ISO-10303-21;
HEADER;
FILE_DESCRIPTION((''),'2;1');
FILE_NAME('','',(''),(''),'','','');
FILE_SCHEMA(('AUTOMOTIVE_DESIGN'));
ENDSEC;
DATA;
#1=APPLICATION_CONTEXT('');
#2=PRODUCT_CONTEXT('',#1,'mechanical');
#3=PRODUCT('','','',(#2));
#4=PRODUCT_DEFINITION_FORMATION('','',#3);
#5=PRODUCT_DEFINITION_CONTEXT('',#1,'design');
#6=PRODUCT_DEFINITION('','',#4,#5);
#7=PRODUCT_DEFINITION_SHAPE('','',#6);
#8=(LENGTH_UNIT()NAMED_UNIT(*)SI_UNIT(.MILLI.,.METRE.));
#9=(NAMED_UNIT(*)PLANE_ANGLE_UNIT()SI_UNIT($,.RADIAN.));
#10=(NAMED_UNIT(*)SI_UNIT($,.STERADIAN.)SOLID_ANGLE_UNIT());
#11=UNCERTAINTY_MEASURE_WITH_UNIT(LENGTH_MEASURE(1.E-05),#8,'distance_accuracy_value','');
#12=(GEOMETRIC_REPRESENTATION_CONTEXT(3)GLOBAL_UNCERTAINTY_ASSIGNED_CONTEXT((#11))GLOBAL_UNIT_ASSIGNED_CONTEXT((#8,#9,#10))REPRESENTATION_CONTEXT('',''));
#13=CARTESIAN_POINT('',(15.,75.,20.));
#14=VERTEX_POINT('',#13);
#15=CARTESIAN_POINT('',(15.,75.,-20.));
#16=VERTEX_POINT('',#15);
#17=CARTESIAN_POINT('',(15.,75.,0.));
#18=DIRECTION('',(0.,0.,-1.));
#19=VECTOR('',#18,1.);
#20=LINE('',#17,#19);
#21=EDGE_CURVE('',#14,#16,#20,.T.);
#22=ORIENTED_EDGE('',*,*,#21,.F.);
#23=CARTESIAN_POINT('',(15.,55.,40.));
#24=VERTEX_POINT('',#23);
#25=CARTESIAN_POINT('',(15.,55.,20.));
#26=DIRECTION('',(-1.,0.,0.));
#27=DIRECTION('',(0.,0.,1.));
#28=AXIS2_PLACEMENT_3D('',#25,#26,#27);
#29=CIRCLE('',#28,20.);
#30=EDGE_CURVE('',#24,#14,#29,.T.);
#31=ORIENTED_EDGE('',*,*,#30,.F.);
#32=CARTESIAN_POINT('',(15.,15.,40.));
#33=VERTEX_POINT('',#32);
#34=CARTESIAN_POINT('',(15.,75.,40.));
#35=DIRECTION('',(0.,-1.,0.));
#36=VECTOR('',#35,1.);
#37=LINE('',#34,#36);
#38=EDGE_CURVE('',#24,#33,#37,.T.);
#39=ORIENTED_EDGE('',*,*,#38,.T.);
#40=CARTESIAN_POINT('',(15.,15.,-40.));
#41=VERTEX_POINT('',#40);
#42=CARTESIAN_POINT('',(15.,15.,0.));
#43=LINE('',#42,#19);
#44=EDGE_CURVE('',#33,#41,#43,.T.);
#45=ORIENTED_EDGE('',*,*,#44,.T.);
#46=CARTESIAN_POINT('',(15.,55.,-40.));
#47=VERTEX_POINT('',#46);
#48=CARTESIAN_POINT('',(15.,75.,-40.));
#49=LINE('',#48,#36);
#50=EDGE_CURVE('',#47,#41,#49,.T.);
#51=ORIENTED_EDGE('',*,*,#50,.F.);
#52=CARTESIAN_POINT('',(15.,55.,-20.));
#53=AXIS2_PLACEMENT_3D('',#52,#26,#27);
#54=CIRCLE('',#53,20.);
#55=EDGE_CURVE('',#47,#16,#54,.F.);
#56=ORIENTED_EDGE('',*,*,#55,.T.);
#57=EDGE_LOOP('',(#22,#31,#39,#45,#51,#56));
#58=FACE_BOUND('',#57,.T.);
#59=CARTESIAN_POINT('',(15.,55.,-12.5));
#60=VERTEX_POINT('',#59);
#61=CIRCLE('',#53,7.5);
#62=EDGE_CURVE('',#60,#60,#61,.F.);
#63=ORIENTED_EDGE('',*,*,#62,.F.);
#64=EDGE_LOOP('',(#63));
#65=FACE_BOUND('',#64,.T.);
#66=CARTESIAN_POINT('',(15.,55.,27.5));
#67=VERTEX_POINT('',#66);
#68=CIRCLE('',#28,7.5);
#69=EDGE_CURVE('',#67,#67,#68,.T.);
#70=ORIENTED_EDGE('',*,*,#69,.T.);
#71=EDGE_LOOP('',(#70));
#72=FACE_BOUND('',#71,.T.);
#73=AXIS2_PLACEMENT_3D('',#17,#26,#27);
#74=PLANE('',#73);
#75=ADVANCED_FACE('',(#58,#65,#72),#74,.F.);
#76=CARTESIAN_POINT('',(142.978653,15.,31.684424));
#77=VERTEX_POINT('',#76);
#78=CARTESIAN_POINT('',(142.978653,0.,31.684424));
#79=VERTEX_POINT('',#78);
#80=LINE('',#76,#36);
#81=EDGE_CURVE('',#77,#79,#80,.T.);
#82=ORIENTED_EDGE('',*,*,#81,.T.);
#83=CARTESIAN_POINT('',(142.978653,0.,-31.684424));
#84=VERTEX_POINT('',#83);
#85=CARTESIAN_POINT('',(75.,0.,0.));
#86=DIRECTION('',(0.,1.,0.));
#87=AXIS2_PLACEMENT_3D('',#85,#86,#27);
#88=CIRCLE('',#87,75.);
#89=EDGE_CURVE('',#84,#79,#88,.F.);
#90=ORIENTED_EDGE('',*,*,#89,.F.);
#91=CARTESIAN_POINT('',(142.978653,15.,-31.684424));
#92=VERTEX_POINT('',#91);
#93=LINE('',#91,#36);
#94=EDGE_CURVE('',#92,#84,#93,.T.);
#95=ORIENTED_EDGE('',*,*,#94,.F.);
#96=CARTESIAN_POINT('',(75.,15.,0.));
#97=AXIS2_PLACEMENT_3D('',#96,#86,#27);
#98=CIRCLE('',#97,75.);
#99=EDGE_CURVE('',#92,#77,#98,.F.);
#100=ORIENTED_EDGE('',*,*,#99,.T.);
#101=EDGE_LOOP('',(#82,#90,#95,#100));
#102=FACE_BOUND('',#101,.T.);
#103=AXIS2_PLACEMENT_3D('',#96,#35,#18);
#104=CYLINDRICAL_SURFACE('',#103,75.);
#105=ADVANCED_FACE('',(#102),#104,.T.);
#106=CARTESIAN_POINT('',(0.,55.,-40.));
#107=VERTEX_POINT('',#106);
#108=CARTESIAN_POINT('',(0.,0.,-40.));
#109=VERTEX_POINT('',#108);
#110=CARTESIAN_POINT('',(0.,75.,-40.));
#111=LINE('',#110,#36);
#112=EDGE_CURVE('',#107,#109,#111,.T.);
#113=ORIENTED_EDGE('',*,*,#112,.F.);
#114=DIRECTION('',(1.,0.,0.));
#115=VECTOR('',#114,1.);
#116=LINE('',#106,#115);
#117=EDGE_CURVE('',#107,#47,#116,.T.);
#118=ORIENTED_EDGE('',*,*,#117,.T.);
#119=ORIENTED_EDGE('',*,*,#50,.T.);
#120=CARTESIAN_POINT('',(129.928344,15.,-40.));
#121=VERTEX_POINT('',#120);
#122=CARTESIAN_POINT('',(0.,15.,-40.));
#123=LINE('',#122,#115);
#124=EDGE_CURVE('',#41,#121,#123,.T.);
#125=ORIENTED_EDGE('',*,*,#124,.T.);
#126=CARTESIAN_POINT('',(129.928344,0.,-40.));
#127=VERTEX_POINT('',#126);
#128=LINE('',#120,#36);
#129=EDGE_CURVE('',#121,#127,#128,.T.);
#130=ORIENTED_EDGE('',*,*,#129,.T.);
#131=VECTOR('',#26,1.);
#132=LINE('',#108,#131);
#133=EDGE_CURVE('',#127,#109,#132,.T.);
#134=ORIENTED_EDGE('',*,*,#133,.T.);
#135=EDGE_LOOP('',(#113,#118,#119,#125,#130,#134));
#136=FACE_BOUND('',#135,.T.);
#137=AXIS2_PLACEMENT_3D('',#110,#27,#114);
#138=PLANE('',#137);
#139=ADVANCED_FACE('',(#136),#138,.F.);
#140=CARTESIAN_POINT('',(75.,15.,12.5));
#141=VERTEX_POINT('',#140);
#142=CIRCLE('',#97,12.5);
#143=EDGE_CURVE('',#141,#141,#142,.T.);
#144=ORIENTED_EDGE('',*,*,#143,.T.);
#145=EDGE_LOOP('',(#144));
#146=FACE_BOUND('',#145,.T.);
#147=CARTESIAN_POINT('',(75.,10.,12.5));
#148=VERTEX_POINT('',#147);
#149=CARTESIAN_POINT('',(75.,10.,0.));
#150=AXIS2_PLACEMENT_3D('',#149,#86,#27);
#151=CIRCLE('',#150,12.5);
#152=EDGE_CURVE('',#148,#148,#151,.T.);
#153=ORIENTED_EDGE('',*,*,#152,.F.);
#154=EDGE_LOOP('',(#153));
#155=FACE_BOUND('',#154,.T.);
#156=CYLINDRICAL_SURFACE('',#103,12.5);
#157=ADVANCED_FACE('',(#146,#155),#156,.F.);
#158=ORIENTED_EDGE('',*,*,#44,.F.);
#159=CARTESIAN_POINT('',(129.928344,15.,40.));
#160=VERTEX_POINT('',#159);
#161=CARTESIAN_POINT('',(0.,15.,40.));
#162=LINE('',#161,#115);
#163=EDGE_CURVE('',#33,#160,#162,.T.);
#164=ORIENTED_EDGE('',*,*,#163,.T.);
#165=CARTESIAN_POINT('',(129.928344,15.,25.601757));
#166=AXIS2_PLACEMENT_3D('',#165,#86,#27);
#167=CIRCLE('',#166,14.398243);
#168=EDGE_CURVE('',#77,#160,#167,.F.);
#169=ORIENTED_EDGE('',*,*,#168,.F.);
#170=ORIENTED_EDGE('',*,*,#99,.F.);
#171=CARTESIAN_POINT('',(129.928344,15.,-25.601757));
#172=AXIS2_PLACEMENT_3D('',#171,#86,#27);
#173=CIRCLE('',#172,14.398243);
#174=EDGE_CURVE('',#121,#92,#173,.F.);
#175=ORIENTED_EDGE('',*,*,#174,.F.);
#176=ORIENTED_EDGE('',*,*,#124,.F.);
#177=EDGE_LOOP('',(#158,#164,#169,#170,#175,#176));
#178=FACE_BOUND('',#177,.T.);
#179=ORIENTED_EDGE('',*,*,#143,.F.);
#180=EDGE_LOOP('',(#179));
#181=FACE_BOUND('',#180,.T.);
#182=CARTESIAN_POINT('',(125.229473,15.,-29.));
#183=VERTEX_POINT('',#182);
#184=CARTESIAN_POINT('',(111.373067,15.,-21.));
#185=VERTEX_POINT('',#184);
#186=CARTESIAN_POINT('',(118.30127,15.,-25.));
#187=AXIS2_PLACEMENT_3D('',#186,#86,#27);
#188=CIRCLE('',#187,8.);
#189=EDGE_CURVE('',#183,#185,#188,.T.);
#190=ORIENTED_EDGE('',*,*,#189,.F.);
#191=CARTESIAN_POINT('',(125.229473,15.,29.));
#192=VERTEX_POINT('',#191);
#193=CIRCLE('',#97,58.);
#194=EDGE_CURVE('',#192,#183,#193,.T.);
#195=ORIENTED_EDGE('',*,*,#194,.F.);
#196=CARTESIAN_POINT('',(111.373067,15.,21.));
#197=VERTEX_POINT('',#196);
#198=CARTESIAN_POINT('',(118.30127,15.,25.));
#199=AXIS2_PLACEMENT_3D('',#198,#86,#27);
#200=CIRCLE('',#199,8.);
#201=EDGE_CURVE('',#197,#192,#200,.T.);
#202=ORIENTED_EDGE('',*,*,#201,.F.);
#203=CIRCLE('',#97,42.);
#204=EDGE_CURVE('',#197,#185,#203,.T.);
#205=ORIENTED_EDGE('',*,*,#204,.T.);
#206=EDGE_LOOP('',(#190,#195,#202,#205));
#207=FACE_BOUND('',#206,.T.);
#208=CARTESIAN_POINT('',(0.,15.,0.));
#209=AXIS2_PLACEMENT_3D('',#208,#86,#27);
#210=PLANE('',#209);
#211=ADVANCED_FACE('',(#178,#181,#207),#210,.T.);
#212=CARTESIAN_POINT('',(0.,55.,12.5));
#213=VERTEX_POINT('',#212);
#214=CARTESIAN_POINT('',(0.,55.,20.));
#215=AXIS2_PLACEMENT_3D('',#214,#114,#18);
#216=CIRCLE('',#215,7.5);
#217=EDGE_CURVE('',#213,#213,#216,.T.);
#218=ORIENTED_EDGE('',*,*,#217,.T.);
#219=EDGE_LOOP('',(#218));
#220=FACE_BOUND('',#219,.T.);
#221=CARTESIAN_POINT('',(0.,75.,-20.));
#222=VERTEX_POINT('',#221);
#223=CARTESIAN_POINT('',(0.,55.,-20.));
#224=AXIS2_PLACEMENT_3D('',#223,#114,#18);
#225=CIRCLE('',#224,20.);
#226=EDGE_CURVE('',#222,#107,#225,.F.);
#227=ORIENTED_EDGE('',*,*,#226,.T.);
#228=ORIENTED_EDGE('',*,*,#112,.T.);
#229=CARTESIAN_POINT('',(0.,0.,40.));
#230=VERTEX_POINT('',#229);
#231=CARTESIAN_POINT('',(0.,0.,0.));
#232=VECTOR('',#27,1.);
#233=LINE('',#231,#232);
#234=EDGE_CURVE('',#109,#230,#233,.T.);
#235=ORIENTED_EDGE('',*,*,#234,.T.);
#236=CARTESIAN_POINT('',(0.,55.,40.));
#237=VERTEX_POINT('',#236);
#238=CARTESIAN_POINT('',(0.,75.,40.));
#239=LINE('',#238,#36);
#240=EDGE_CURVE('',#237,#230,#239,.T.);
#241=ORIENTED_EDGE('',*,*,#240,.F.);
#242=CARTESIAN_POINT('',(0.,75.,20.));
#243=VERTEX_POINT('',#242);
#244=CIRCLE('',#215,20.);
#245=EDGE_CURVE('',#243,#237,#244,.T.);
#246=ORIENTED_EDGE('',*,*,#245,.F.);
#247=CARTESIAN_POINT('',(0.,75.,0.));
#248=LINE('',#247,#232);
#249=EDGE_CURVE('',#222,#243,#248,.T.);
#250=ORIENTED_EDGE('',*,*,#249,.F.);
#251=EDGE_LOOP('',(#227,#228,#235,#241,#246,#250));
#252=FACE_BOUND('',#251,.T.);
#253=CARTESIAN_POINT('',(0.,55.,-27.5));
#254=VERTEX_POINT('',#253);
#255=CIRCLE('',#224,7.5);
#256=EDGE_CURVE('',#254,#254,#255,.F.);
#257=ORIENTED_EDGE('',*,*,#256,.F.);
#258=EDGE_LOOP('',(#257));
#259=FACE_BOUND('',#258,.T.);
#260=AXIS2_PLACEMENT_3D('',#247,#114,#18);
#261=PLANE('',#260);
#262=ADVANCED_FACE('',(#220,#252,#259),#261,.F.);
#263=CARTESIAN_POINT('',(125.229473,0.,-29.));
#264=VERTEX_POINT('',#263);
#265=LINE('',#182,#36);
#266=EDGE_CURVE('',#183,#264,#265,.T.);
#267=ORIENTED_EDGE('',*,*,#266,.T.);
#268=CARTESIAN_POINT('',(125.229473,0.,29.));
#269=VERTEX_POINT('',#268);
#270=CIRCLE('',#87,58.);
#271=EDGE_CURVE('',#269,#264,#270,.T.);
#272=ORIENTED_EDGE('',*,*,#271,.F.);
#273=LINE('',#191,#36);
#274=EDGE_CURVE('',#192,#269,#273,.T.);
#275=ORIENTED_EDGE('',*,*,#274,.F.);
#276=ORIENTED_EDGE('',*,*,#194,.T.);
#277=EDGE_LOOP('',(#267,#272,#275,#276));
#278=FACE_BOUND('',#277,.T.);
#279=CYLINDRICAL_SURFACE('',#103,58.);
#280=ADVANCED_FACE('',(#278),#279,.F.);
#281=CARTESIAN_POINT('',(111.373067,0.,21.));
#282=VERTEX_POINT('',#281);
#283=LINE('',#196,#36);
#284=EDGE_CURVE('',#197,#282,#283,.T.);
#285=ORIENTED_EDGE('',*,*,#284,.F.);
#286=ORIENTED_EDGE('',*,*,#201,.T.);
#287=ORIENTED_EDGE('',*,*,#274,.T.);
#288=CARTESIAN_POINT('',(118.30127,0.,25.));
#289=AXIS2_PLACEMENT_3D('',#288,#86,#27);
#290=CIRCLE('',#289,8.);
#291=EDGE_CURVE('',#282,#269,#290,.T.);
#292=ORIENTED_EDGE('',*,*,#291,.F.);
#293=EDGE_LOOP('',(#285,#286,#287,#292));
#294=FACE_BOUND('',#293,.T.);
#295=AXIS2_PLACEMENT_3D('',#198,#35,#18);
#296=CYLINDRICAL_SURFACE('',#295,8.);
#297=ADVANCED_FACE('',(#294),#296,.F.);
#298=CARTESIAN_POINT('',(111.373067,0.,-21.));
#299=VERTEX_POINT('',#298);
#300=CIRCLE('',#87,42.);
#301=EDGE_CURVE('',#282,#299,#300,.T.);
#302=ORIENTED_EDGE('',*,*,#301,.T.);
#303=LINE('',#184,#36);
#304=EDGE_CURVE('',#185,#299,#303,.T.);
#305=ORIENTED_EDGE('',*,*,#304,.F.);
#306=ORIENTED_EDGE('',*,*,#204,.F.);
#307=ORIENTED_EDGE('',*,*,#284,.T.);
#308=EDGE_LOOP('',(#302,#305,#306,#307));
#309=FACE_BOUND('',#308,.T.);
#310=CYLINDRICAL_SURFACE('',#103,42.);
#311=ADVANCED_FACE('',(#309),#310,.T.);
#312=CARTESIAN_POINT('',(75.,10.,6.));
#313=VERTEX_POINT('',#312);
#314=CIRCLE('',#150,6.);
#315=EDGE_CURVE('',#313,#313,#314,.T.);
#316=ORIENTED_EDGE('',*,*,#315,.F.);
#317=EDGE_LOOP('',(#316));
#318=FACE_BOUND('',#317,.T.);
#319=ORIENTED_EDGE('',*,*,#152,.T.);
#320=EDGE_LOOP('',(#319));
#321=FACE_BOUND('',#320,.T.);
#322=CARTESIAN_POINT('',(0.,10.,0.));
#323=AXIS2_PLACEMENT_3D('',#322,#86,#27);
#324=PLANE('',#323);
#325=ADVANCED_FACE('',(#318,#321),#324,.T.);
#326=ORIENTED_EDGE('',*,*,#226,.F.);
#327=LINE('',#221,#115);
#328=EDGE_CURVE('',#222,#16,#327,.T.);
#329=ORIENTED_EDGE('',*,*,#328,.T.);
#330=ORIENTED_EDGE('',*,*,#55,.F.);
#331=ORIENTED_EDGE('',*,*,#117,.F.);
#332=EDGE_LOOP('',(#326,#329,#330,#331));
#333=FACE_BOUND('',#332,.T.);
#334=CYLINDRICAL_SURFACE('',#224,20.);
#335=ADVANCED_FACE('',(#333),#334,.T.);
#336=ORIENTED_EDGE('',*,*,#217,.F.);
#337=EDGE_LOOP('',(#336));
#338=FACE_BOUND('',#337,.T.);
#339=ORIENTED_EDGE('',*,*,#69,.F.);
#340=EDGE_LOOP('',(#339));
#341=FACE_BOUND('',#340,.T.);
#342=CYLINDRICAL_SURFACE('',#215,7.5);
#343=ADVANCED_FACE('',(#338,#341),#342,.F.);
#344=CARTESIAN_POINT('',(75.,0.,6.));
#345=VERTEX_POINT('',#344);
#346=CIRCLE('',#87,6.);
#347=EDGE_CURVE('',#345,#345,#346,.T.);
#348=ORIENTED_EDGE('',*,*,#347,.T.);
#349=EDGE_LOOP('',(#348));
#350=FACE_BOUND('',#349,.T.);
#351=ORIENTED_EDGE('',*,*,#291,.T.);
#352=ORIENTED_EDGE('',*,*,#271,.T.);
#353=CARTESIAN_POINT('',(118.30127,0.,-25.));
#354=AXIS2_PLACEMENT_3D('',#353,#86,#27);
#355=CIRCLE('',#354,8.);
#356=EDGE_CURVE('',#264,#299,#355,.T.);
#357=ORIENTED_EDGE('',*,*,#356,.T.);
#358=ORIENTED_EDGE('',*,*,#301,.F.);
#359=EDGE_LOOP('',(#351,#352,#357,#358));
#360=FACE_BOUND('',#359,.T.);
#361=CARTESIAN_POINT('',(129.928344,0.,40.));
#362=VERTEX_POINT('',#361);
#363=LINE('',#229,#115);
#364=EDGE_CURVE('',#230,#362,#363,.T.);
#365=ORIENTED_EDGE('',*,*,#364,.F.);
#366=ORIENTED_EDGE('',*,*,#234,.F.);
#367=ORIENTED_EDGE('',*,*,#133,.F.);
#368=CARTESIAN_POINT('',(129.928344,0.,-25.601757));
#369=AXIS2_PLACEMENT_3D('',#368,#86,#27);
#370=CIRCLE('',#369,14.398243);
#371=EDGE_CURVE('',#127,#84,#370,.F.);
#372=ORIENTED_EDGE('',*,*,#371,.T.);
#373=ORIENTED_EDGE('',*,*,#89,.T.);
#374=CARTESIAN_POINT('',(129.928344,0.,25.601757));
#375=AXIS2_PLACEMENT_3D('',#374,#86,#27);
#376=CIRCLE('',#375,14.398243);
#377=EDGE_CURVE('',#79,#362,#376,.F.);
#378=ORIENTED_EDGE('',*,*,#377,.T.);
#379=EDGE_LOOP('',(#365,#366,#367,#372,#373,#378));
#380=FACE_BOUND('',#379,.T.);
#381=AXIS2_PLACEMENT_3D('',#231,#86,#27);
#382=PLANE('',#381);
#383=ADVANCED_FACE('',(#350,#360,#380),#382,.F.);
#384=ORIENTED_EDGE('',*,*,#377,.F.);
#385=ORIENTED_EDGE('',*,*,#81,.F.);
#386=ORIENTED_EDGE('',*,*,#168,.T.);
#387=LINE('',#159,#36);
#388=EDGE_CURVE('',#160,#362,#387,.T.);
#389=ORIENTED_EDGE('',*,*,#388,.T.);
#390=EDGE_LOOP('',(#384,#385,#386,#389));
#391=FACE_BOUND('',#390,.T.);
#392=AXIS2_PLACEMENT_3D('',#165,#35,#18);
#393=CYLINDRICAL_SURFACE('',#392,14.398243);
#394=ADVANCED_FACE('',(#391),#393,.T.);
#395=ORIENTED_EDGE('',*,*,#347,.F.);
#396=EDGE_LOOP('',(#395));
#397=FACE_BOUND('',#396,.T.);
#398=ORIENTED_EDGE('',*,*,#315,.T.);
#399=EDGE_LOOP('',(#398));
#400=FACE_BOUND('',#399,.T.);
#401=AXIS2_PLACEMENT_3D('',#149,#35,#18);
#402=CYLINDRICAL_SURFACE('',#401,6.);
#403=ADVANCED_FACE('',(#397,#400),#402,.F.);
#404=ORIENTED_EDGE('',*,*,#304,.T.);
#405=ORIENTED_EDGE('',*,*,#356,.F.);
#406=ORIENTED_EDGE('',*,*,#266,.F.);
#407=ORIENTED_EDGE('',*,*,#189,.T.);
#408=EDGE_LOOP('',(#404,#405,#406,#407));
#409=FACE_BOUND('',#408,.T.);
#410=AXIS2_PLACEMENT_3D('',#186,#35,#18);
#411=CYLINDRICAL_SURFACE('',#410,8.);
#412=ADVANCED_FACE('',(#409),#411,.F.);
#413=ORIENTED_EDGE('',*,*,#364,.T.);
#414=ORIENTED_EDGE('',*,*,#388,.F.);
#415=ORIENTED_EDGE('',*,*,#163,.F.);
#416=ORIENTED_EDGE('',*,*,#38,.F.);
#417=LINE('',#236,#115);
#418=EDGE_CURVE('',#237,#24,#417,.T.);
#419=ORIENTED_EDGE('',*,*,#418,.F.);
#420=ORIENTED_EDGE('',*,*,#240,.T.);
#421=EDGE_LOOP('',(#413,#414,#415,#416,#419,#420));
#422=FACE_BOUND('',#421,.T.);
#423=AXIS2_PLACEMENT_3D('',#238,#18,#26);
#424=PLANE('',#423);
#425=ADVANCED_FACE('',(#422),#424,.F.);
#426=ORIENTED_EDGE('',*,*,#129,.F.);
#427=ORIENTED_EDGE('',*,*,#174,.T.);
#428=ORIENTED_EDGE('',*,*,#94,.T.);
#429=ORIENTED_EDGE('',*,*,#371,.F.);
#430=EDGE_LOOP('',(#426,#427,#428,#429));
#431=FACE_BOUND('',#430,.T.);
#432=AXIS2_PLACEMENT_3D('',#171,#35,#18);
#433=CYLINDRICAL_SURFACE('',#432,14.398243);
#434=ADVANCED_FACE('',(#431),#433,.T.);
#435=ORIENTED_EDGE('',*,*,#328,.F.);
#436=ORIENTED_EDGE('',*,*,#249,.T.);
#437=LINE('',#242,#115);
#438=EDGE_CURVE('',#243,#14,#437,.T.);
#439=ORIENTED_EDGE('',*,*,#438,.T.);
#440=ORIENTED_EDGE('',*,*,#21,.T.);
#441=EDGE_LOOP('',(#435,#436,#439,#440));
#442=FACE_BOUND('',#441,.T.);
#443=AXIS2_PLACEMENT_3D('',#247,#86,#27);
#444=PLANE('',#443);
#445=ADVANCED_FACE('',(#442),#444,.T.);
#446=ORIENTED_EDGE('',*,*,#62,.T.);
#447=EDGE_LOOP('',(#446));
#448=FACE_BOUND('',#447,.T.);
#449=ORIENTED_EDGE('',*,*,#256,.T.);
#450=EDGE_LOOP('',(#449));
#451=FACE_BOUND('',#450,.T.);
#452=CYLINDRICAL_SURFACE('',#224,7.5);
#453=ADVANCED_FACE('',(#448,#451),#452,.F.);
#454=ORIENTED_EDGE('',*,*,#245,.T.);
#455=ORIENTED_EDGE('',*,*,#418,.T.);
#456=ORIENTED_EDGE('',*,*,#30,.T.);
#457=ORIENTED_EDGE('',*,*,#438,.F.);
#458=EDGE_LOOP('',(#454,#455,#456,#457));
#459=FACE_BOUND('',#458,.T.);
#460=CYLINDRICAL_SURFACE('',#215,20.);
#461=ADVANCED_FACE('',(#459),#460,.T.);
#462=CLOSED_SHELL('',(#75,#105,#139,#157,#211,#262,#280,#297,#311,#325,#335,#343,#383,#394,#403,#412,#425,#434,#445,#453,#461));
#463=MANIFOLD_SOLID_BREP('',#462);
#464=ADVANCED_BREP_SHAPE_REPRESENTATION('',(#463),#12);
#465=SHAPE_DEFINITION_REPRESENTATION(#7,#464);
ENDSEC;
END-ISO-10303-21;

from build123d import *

# Parameters (mm, degrees)
SKETCH1_W               = 15
SKETCH1_H               = 80
BOSS_EXTRUDE1_DEPTH     = 75
SKETCH1_3_R             = 12.5
BOSS_EXTRUDE2_DEPTH     = 15
SKETCH1_4_R             = 12.5
SKETCH1_4_R_2           = 6
BOSS_EXTRUDE3_DEPTH     = 10
CUT_EXTRUDE1_DEPTH      = 160.530561335
CUT_EXTRUDE1_DEPTH_BACK = 160.530561335
SKETCH2_R               = 7.5


with BuildPart() as part:
    # Sketch1 → Boss-Extrude1 (new body)
    with BuildSketch(Plane(origin=(0, 0, 0), x_dir=(1, 0, 0), z_dir=(0, 1, 0))):
        with Locations((7.5, 0)):
            Rectangle(SKETCH1_W, SKETCH1_H)
    extrude(amount=BOSS_EXTRUDE1_DEPTH)

    # Sketch1<3> → Boss-Extrude2 (add)
    with BuildSketch(Plane(origin=(0, 0, 0), x_dir=(1, 0, 0), z_dir=(0, 1, 0))):
        with BuildLine():
            Line((129.928343994, 40), (15, 40))
            Line((15, 40), (15, -40))
            Line((15, -40), (129.928343994, -40))
            ThreePointArc((129.928343994, -40), (137.665581407, -37.744432147), (142.97865308, -31.684424019))
            ThreePointArc((142.97865308, -31.684424019), (150, 0), (142.97865308, 31.684424019))
            ThreePointArc((142.97865308, 31.684424019), (137.665581407, 37.744432147), (129.928343994, 40))
        make_face()
        with Locations((75, 0)):
            Circle(SKETCH1_3_R, mode=Mode.SUBTRACT)
        with BuildLine():
            ThreePointArc((125.229473419, 29), (133, 0), (125.229473419, -29))
            ThreePointArc((125.229473419, -29), (114.301270189, -31.92820323), (111.373066959, -21))
            ThreePointArc((111.373066959, -21), (117, 0), (111.373066959, 21))
            ThreePointArc((111.373066959, 21), (114.301270189, 31.92820323), (125.229473419, 29))
        make_face(mode=Mode.SUBTRACT)
    extrude(amount=BOSS_EXTRUDE2_DEPTH)

    # Sketch1<4> → Boss-Extrude3 (add)
    with BuildSketch(Plane(origin=(0, 0, 0), x_dir=(1, 0, 0), z_dir=(0, 1, 0))):
        with Locations((75, 0)):
            Circle(SKETCH1_4_R)
        with Locations((75, 0)):
            Circle(SKETCH1_4_R_2, mode=Mode.SUBTRACT)
    extrude(amount=BOSS_EXTRUDE3_DEPTH)

    # Sketch2 → Cut-Extrude1 (cut, two sides: drawn at the far end of the back side and taken through both)
    with BuildSketch(Plane(origin=(15, 0, 0), x_dir=(0, 0, -1), z_dir=(1, 0, 0)).offset(-CUT_EXTRUDE1_DEPTH_BACK)):
        with Locations((-20, 55)):
            Circle(SKETCH2_R)
        with BuildLine():
            ThreePointArc((-40, 55), (-34.142135624, 69.142135624), (-20, 75))
            Line((-20, 75), (-40, 75))
            Line((-40, 75), (-40, 55))
        make_face()
        with BuildLine():
            ThreePointArc((20, 75), (34.142135624, 69.142135624), (40, 55))
            Line((40, 55), (40, 75))
            Line((40, 75), (20, 75))
        make_face()
        with Locations((20, 55)):
            Circle(SKETCH2_R)
    extrude(amount=CUT_EXTRUDE1_DEPTH + CUT_EXTRUDE1_DEPTH_BACK, mode=Mode.SUBTRACT)


solid = part.part
